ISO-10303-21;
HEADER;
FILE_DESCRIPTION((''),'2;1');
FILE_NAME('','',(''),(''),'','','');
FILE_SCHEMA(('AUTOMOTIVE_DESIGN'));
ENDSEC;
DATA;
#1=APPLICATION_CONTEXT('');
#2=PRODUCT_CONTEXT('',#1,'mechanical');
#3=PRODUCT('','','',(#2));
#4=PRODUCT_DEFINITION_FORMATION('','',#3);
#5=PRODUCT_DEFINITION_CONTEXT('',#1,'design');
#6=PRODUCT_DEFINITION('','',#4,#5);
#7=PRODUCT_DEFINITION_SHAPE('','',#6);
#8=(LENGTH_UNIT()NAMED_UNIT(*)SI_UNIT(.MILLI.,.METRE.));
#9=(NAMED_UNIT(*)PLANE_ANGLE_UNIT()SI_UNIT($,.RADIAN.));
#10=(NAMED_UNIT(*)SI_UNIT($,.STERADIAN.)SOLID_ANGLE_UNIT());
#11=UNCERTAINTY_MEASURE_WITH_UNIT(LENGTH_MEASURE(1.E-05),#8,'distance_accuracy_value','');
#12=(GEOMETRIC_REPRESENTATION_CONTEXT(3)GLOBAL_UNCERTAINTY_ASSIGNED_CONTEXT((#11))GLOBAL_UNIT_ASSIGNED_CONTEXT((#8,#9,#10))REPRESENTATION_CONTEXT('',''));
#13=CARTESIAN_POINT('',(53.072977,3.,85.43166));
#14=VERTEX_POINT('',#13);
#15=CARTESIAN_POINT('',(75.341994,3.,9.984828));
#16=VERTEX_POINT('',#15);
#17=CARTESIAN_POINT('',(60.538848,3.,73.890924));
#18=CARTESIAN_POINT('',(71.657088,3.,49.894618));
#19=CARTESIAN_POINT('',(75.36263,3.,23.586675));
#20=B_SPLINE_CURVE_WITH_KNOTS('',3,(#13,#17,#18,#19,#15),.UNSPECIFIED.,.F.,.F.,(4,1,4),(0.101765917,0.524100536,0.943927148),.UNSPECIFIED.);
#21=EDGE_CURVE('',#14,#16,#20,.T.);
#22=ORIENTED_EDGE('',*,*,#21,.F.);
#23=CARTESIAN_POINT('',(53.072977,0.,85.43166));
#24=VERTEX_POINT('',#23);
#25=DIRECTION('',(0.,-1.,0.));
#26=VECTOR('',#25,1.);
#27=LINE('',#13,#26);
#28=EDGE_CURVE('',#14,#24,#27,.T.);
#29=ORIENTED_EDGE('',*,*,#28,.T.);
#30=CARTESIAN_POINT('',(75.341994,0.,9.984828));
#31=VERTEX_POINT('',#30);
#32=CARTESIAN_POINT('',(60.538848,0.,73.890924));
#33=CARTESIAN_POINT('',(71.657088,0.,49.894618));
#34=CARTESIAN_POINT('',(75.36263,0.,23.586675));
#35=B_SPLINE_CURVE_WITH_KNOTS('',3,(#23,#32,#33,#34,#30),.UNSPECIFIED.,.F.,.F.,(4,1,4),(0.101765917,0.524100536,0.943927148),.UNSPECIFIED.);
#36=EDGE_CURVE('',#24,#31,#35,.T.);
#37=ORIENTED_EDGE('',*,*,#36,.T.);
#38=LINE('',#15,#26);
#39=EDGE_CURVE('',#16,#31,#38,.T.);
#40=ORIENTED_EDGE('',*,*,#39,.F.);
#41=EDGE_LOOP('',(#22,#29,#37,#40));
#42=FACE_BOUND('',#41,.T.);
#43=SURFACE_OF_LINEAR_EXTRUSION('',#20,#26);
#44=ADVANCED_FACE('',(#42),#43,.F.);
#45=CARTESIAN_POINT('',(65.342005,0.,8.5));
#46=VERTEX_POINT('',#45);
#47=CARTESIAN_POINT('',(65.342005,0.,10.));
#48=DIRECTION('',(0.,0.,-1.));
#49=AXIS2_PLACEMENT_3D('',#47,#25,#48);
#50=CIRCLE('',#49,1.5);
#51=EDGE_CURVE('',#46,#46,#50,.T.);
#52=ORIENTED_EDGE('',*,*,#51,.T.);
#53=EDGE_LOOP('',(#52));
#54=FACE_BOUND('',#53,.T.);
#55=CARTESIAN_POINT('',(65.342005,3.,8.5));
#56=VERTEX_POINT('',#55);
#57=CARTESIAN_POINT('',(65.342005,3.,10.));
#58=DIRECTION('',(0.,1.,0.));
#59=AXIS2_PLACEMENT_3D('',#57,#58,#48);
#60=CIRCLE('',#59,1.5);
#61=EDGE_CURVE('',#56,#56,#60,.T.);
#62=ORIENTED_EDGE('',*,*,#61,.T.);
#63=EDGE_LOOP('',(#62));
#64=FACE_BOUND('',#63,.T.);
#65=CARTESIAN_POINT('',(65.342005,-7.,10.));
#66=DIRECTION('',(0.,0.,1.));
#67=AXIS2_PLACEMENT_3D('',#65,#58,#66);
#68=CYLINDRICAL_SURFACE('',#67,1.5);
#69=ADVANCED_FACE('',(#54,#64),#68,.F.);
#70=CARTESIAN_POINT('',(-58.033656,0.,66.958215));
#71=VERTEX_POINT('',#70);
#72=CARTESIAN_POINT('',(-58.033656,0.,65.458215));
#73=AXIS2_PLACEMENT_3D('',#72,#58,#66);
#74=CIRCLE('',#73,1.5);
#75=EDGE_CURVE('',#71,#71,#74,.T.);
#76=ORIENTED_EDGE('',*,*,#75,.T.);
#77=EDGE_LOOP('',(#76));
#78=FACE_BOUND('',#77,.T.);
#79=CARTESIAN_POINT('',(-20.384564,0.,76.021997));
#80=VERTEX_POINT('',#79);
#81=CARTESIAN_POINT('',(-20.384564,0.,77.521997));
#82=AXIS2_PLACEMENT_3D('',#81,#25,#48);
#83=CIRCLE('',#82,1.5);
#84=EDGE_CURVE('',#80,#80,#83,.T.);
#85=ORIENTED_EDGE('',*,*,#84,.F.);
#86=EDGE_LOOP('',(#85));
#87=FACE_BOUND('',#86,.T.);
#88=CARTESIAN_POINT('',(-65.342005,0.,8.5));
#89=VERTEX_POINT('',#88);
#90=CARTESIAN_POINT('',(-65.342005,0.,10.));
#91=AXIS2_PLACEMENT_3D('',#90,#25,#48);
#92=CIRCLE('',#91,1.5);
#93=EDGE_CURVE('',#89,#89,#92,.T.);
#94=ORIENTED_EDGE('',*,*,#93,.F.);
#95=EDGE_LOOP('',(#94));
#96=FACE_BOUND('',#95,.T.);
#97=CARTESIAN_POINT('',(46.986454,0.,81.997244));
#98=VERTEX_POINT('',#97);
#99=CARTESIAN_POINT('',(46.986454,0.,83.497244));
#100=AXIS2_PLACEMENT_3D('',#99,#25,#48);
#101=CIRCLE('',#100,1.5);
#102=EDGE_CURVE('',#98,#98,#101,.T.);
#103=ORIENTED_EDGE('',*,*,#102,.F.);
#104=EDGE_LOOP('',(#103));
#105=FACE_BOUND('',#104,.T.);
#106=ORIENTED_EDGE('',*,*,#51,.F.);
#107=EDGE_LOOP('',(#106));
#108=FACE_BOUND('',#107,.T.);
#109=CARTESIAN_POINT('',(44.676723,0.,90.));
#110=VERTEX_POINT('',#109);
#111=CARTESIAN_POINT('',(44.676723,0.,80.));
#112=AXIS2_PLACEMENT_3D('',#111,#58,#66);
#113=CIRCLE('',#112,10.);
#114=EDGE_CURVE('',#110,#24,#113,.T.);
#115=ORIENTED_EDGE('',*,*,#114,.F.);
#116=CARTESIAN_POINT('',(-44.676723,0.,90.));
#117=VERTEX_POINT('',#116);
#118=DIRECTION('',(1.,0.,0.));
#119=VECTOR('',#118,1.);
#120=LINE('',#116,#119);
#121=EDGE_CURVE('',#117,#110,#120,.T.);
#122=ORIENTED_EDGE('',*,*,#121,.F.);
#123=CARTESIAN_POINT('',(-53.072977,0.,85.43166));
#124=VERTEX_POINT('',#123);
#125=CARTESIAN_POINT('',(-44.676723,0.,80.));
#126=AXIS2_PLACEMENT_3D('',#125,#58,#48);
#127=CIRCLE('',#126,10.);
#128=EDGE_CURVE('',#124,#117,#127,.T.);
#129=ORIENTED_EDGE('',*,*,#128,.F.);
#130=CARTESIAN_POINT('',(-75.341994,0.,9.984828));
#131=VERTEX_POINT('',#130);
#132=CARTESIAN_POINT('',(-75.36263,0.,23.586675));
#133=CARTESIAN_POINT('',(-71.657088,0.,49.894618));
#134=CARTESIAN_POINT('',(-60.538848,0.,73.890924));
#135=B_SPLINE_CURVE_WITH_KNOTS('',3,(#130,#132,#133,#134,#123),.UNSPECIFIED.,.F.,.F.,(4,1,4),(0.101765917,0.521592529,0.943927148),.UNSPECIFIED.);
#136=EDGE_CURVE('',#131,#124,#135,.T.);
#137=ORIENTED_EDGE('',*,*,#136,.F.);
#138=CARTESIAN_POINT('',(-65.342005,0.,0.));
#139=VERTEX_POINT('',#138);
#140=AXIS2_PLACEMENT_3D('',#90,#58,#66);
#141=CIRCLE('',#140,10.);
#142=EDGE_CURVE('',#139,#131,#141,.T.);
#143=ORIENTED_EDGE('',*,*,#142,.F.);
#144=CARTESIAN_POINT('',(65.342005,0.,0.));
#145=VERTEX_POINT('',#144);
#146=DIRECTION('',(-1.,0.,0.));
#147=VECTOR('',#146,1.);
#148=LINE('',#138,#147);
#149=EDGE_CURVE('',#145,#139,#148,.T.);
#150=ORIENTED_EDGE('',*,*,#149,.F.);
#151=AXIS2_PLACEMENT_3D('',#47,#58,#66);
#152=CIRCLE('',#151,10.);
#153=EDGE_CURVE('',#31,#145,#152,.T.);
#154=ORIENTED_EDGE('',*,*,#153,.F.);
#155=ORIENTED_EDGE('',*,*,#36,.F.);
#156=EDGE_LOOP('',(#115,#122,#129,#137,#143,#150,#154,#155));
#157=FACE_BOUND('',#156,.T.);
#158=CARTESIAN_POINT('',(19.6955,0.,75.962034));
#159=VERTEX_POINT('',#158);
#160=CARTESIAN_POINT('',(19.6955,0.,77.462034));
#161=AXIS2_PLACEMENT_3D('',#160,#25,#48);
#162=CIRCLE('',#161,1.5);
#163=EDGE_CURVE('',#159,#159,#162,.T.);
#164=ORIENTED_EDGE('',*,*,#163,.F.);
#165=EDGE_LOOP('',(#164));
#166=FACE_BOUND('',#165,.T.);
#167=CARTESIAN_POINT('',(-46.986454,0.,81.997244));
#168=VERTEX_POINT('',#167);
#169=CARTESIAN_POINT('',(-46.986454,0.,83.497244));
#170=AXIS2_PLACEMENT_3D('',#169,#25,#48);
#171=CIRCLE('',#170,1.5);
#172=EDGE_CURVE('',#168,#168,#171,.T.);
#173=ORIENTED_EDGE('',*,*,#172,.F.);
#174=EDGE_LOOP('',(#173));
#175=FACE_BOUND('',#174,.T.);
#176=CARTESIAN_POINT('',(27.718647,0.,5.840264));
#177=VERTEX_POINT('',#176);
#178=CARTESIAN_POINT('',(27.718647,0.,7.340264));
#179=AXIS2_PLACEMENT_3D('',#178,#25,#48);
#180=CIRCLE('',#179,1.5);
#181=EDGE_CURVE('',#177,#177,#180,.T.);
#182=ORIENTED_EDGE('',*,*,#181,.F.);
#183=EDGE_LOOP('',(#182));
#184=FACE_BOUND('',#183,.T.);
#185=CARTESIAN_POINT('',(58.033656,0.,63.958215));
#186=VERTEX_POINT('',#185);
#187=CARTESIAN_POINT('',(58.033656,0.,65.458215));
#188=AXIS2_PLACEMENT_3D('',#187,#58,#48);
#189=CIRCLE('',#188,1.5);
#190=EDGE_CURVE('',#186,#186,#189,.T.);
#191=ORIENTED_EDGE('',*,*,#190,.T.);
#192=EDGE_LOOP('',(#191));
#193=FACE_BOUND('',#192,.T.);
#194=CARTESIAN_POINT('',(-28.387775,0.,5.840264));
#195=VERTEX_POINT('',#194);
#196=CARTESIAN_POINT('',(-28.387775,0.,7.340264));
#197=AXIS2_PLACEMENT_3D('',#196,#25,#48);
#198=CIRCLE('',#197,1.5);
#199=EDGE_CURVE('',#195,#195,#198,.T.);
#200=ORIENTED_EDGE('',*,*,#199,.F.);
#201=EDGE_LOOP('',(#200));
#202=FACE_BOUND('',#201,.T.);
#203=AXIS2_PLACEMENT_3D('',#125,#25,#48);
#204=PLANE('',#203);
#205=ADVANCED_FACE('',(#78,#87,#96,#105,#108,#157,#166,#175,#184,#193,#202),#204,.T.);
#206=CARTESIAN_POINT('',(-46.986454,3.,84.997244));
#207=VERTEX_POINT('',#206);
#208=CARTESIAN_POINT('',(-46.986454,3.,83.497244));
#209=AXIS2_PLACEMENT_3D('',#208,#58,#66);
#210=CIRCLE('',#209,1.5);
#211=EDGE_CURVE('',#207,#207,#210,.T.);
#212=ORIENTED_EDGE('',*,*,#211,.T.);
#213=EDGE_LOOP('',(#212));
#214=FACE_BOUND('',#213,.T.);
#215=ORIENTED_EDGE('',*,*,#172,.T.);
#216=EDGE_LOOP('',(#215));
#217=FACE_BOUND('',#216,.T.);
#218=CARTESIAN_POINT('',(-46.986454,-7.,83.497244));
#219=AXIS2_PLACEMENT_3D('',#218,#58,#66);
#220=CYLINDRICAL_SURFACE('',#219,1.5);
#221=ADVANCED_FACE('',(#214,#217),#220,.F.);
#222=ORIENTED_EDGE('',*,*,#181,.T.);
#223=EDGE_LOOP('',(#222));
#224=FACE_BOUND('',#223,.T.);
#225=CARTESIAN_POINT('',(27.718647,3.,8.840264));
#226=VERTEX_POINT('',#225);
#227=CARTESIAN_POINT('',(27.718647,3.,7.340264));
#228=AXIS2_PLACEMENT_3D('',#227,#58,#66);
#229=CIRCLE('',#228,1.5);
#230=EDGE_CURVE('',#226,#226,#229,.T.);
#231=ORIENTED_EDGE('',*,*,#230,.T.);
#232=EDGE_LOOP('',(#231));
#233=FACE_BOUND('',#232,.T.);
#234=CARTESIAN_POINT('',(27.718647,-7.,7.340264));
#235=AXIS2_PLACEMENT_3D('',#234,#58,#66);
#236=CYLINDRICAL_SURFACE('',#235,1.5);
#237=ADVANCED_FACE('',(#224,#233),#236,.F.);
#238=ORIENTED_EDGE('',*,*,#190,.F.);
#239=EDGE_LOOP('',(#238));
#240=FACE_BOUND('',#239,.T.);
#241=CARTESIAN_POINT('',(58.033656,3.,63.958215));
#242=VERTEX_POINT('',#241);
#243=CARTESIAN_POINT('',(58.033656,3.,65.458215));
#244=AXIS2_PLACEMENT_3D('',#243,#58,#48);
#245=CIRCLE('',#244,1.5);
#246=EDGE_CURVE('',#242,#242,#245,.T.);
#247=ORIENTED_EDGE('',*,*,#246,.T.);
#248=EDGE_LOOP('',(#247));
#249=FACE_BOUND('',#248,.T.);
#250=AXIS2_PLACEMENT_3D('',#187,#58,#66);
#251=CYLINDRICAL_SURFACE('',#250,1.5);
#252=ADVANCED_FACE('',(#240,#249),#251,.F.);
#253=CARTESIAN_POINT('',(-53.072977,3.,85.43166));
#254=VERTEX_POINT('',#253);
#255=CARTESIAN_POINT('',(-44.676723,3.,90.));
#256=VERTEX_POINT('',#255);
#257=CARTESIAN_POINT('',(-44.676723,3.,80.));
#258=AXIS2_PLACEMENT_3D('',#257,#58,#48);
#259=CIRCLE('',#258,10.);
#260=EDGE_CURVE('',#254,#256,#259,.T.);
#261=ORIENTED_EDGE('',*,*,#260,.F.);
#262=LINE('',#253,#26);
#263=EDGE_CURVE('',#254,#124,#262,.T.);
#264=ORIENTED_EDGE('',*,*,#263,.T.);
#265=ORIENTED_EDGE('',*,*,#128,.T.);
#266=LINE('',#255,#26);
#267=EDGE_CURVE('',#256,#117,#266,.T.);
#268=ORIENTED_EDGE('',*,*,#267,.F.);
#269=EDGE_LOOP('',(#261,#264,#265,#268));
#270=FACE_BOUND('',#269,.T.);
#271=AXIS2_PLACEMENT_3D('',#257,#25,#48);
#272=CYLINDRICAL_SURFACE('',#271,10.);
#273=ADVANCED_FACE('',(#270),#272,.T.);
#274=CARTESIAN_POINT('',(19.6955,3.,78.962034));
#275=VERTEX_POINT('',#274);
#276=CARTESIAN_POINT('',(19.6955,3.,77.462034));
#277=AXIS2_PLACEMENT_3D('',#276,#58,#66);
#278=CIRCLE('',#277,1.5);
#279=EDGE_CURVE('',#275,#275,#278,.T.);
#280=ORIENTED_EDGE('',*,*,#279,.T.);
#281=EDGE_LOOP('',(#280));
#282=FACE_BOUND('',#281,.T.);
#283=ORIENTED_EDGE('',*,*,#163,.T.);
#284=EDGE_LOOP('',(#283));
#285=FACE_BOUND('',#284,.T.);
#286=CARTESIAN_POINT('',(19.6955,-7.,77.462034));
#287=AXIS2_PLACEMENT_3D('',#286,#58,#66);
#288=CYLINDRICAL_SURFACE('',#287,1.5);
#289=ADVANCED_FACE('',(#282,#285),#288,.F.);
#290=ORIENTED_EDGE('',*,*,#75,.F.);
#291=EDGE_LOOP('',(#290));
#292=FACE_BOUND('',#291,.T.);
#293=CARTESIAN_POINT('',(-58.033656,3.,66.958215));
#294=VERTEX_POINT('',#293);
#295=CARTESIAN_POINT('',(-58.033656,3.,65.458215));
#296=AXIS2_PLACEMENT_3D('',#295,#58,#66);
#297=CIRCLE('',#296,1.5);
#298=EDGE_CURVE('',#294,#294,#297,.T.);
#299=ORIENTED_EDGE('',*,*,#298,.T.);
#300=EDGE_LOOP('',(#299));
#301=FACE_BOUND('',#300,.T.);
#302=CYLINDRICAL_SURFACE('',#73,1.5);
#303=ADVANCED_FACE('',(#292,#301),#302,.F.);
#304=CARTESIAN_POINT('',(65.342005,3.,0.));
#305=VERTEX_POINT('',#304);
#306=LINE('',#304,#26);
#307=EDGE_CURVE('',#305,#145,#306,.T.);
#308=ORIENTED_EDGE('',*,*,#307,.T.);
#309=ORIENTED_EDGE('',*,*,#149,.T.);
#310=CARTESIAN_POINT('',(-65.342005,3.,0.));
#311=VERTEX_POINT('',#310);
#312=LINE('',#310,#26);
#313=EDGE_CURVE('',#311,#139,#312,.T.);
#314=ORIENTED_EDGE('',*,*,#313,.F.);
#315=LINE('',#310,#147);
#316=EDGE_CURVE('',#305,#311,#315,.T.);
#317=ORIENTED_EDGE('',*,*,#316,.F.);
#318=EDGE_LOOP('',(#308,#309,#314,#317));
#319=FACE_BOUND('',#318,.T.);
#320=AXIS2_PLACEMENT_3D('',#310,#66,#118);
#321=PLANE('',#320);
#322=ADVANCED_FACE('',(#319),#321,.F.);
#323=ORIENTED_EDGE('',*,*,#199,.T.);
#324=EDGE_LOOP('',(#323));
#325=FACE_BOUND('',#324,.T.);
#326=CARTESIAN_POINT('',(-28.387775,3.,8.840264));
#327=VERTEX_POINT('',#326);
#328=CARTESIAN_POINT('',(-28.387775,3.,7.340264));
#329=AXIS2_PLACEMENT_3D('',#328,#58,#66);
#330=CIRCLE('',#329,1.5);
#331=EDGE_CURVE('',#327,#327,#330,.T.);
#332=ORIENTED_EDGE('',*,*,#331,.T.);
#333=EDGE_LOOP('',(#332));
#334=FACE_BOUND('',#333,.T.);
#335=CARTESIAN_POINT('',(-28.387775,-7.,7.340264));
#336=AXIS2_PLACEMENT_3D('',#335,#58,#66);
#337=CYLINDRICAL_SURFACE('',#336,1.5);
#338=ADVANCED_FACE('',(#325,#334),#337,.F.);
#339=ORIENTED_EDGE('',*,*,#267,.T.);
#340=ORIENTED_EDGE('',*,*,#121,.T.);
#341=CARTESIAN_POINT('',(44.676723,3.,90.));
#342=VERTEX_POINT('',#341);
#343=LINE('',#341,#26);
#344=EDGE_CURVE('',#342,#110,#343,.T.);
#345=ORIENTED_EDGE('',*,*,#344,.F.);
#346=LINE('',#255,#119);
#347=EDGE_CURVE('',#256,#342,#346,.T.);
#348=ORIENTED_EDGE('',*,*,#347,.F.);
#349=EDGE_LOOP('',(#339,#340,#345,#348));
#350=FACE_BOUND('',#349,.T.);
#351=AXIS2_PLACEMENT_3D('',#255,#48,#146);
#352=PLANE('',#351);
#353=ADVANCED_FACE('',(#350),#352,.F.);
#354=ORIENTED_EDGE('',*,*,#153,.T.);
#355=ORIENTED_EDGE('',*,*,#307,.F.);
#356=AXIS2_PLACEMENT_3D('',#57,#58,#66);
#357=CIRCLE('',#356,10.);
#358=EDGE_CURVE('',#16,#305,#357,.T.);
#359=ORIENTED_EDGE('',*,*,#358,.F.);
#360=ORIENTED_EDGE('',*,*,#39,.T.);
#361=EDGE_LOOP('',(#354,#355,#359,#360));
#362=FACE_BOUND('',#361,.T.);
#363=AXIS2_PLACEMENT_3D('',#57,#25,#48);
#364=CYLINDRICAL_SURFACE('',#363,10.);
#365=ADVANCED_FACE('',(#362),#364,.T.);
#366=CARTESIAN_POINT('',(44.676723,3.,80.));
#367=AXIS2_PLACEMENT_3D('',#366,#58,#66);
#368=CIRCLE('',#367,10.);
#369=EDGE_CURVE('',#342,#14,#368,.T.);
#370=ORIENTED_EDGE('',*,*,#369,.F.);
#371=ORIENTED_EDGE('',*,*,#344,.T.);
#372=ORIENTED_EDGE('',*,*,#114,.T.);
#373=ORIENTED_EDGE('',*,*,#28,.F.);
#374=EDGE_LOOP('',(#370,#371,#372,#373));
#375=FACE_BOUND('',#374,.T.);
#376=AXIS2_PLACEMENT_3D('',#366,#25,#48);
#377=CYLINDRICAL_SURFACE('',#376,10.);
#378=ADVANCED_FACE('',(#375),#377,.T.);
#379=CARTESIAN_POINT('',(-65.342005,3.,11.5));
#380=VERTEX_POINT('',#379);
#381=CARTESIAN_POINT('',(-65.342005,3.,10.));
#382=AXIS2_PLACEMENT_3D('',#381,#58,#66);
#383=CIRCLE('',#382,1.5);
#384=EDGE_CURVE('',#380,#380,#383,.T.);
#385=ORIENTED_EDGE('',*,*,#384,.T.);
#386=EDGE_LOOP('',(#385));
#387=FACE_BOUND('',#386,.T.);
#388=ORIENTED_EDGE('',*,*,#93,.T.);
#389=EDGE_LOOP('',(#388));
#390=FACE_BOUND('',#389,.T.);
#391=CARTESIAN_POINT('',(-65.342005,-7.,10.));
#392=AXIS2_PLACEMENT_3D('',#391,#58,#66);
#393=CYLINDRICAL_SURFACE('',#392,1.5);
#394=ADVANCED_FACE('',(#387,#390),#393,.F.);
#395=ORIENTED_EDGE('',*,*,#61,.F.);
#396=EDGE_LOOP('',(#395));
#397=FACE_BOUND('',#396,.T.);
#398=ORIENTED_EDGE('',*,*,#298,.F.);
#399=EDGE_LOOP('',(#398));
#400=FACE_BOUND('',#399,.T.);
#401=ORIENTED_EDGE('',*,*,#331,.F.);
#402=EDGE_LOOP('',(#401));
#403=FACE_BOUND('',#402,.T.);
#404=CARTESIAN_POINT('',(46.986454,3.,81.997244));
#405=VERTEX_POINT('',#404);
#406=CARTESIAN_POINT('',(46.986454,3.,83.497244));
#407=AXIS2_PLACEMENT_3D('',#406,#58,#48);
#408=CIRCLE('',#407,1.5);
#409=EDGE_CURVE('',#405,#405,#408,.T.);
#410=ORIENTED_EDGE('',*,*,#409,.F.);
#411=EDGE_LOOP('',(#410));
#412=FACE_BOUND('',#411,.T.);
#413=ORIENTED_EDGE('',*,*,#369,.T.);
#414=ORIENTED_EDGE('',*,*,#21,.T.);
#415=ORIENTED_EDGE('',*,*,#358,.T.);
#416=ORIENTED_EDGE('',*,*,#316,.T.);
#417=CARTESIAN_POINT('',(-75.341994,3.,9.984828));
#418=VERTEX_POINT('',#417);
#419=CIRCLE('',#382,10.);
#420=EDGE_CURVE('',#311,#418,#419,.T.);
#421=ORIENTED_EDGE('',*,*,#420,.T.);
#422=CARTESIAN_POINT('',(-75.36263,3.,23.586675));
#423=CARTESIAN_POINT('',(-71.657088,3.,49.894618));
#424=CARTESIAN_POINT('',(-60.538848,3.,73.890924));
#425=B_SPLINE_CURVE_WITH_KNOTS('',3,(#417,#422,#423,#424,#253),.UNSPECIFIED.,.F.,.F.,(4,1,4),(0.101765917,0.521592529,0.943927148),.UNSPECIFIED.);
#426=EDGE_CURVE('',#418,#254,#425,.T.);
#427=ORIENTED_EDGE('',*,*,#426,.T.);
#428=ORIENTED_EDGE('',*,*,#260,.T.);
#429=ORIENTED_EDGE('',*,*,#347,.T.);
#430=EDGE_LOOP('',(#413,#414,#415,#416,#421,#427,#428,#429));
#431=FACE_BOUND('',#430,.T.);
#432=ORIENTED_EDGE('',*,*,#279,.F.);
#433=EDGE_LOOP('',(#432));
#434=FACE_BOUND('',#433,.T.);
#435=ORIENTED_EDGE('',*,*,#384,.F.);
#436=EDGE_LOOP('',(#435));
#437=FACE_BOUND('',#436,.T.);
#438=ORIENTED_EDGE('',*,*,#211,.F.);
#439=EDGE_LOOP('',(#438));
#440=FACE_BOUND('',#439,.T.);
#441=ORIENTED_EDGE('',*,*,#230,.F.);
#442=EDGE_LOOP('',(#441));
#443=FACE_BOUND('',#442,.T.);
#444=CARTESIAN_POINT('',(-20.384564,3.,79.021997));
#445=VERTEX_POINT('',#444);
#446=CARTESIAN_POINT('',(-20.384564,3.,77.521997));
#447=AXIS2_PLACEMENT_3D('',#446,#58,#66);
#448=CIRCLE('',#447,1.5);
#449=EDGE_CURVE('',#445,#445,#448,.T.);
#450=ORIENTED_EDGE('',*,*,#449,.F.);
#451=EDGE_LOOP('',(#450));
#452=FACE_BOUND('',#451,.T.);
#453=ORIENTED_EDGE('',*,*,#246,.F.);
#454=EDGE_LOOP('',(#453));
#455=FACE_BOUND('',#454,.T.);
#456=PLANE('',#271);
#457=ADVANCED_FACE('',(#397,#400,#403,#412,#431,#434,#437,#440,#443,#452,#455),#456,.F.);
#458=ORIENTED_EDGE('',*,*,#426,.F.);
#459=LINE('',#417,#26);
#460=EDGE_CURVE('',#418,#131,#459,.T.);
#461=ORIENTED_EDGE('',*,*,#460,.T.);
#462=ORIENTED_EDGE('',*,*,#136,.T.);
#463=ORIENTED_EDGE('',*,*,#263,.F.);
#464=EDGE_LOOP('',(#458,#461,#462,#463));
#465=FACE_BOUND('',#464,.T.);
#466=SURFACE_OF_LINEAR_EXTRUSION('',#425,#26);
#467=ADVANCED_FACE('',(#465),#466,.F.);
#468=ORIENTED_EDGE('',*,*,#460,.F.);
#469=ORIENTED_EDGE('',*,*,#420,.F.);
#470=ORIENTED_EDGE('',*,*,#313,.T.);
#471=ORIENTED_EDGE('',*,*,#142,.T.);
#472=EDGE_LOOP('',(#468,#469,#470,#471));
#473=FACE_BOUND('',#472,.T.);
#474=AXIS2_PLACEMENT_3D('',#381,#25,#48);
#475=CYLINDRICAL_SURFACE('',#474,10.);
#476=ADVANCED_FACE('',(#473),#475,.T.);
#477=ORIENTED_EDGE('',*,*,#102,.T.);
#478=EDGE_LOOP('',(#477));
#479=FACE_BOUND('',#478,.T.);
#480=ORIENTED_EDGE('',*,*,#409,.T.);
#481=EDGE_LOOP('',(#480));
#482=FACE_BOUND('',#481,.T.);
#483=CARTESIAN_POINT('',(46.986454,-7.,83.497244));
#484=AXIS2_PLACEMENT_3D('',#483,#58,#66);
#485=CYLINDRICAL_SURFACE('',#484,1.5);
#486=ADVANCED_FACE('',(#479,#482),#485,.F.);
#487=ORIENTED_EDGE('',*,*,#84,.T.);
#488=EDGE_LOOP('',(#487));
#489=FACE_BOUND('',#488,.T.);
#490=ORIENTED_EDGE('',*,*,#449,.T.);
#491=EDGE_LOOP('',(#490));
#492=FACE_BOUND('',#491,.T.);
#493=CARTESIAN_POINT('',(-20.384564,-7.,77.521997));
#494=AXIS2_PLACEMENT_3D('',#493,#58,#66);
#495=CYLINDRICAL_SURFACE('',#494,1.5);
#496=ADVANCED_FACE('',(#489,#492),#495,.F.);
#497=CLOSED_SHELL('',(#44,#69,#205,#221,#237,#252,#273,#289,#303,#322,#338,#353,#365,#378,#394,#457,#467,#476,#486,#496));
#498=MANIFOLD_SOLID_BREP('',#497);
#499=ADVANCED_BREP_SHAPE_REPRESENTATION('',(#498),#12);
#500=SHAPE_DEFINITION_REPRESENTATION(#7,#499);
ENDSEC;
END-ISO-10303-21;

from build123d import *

# Parameters (mm, degrees)
EXTRUDE_1_DEPTH     = 3
SKETCH_2_R          = 1.5
CUT_EXTRUDE_1_DEPTH = 10
SKETCH_3_R          = 1.5
CUT_EXTRUDE_2_DEPTH = 10
SKETCH_4_R          = 1.5
CUT_EXTRUDE_3_DEPTH = 3


with BuildPart() as part:
    # 草图1 → 凸台-拉伸1 (new body)
    with BuildSketch(Plane(origin=(0, 0, 0), x_dir=(1, 0, 0), z_dir=(0, 1, 0))):
        with BuildLine():
            Line((-65.342005187, 0), (65.342005187, 0))
            ThreePointArc((65.342005187, 0), (72.407706971, -2.923570229), (75.341993678, -9.984828338))
            add(Edge.make_bspline(
                [(75.341993678, -9.984828338), (75.362629964, -23.586675416), (71.657087991, -49.894617792), (60.538848208, -73.890924153), (53.072976878, -85.431659706)],
                knots=[0.101765917, 0.101765917, 0.101765917, 0.101765917, 0.521592529, 0.943927148, 0.943927148, 0.943927148, 0.943927148], degree=3))
            ThreePointArc((53.072976878, -85.431659706), (49.456022644, -88.783979652), (44.676723378, -90))
            Line((44.676723378, -90), (-44.676723378, -90))
            ThreePointArc((-44.676723378, -90), (-49.456022644, -88.783979652), (-53.072976878, -85.431659706))
            add(Edge.make_bspline(
                [(-75.341993678, -9.984828338), (-75.362629964, -23.586675416), (-71.657087991, -49.894617792), (-60.538848208, -73.890924153), (-53.072976878, -85.431659706)],
                knots=[0.101765917, 0.101765917, 0.101765917, 0.101765917, 0.521592529, 0.943927148, 0.943927148, 0.943927148, 0.943927148], degree=3))
            ThreePointArc((-75.341993678, -9.984828338), (-72.407706971, -2.923570229), (-65.342005187, 0))
        make_face()
    extrude(amount=EXTRUDE_1_DEPTH)

    # 草图2 → 切除-拉伸1 (cut)
    with BuildSketch(Plane(origin=(0, 3, 0), x_dir=(1, 0, 0), z_dir=(0, 1, 0))):
        with Locations(Location((-65.342005187, -10, 0), (0, 0, 270))):
            Circle(SKETCH_2_R)
        with Locations(Location((-46.986453842, -83.497243756, 0), (0, 0, 270))):
            Circle(SKETCH_2_R)
        with Locations(Location((46.986453842, -83.497243756, 0), (0, 0, 90))):
            Circle(SKETCH_2_R)
        with Locations(Location((65.342005187, -10, 0), (0, 0, 90))):
            Circle(SKETCH_2_R)
    extrude(amount=-CUT_EXTRUDE_1_DEPTH, mode=Mode.SUBTRACT)

    # 草图3 → 切除-拉伸2 (cut)
    with BuildSketch(Plane(origin=(0, 3, 0), x_dir=(1, 0, 0), z_dir=(0, 1, 0))):
        with Locations(Location((-28.387774848, -7.340263553, 0), (0, 0, 270))):
            Circle(SKETCH_3_R)
        with Locations(Location((27.718646552, -7.340263553, 0), (0, 0, 270))):
            Circle(SKETCH_3_R)
        with Locations(Location((19.695499635, -77.462033559, 0), (0, 0, 270))):
            Circle(SKETCH_3_R)
        with Locations(Location((-20.384564295, -77.521997213, 0), (0, 0, 270))):
            Circle(SKETCH_3_R)
    extrude(amount=-CUT_EXTRUDE_2_DEPTH, mode=Mode.SUBTRACT)

    # 草图4 → 切除-拉伸3 (cut)
    with BuildSketch(Plane(origin=(0, 3, 0), x_dir=(1, 0, 0), z_dir=(0, 1, 0))):
        with Locations(Location((-58.033655971, -65.458214846, 0), (0, 0, 270))):
            Circle(SKETCH_4_R)
        with Locations(Location((58.033655971, -65.458214846, 0), (0, 0, 90))):
            Circle(SKETCH_4_R)
    extrude(amount=-CUT_EXTRUDE_3_DEPTH, mode=Mode.SUBTRACT)


solid = part.part
